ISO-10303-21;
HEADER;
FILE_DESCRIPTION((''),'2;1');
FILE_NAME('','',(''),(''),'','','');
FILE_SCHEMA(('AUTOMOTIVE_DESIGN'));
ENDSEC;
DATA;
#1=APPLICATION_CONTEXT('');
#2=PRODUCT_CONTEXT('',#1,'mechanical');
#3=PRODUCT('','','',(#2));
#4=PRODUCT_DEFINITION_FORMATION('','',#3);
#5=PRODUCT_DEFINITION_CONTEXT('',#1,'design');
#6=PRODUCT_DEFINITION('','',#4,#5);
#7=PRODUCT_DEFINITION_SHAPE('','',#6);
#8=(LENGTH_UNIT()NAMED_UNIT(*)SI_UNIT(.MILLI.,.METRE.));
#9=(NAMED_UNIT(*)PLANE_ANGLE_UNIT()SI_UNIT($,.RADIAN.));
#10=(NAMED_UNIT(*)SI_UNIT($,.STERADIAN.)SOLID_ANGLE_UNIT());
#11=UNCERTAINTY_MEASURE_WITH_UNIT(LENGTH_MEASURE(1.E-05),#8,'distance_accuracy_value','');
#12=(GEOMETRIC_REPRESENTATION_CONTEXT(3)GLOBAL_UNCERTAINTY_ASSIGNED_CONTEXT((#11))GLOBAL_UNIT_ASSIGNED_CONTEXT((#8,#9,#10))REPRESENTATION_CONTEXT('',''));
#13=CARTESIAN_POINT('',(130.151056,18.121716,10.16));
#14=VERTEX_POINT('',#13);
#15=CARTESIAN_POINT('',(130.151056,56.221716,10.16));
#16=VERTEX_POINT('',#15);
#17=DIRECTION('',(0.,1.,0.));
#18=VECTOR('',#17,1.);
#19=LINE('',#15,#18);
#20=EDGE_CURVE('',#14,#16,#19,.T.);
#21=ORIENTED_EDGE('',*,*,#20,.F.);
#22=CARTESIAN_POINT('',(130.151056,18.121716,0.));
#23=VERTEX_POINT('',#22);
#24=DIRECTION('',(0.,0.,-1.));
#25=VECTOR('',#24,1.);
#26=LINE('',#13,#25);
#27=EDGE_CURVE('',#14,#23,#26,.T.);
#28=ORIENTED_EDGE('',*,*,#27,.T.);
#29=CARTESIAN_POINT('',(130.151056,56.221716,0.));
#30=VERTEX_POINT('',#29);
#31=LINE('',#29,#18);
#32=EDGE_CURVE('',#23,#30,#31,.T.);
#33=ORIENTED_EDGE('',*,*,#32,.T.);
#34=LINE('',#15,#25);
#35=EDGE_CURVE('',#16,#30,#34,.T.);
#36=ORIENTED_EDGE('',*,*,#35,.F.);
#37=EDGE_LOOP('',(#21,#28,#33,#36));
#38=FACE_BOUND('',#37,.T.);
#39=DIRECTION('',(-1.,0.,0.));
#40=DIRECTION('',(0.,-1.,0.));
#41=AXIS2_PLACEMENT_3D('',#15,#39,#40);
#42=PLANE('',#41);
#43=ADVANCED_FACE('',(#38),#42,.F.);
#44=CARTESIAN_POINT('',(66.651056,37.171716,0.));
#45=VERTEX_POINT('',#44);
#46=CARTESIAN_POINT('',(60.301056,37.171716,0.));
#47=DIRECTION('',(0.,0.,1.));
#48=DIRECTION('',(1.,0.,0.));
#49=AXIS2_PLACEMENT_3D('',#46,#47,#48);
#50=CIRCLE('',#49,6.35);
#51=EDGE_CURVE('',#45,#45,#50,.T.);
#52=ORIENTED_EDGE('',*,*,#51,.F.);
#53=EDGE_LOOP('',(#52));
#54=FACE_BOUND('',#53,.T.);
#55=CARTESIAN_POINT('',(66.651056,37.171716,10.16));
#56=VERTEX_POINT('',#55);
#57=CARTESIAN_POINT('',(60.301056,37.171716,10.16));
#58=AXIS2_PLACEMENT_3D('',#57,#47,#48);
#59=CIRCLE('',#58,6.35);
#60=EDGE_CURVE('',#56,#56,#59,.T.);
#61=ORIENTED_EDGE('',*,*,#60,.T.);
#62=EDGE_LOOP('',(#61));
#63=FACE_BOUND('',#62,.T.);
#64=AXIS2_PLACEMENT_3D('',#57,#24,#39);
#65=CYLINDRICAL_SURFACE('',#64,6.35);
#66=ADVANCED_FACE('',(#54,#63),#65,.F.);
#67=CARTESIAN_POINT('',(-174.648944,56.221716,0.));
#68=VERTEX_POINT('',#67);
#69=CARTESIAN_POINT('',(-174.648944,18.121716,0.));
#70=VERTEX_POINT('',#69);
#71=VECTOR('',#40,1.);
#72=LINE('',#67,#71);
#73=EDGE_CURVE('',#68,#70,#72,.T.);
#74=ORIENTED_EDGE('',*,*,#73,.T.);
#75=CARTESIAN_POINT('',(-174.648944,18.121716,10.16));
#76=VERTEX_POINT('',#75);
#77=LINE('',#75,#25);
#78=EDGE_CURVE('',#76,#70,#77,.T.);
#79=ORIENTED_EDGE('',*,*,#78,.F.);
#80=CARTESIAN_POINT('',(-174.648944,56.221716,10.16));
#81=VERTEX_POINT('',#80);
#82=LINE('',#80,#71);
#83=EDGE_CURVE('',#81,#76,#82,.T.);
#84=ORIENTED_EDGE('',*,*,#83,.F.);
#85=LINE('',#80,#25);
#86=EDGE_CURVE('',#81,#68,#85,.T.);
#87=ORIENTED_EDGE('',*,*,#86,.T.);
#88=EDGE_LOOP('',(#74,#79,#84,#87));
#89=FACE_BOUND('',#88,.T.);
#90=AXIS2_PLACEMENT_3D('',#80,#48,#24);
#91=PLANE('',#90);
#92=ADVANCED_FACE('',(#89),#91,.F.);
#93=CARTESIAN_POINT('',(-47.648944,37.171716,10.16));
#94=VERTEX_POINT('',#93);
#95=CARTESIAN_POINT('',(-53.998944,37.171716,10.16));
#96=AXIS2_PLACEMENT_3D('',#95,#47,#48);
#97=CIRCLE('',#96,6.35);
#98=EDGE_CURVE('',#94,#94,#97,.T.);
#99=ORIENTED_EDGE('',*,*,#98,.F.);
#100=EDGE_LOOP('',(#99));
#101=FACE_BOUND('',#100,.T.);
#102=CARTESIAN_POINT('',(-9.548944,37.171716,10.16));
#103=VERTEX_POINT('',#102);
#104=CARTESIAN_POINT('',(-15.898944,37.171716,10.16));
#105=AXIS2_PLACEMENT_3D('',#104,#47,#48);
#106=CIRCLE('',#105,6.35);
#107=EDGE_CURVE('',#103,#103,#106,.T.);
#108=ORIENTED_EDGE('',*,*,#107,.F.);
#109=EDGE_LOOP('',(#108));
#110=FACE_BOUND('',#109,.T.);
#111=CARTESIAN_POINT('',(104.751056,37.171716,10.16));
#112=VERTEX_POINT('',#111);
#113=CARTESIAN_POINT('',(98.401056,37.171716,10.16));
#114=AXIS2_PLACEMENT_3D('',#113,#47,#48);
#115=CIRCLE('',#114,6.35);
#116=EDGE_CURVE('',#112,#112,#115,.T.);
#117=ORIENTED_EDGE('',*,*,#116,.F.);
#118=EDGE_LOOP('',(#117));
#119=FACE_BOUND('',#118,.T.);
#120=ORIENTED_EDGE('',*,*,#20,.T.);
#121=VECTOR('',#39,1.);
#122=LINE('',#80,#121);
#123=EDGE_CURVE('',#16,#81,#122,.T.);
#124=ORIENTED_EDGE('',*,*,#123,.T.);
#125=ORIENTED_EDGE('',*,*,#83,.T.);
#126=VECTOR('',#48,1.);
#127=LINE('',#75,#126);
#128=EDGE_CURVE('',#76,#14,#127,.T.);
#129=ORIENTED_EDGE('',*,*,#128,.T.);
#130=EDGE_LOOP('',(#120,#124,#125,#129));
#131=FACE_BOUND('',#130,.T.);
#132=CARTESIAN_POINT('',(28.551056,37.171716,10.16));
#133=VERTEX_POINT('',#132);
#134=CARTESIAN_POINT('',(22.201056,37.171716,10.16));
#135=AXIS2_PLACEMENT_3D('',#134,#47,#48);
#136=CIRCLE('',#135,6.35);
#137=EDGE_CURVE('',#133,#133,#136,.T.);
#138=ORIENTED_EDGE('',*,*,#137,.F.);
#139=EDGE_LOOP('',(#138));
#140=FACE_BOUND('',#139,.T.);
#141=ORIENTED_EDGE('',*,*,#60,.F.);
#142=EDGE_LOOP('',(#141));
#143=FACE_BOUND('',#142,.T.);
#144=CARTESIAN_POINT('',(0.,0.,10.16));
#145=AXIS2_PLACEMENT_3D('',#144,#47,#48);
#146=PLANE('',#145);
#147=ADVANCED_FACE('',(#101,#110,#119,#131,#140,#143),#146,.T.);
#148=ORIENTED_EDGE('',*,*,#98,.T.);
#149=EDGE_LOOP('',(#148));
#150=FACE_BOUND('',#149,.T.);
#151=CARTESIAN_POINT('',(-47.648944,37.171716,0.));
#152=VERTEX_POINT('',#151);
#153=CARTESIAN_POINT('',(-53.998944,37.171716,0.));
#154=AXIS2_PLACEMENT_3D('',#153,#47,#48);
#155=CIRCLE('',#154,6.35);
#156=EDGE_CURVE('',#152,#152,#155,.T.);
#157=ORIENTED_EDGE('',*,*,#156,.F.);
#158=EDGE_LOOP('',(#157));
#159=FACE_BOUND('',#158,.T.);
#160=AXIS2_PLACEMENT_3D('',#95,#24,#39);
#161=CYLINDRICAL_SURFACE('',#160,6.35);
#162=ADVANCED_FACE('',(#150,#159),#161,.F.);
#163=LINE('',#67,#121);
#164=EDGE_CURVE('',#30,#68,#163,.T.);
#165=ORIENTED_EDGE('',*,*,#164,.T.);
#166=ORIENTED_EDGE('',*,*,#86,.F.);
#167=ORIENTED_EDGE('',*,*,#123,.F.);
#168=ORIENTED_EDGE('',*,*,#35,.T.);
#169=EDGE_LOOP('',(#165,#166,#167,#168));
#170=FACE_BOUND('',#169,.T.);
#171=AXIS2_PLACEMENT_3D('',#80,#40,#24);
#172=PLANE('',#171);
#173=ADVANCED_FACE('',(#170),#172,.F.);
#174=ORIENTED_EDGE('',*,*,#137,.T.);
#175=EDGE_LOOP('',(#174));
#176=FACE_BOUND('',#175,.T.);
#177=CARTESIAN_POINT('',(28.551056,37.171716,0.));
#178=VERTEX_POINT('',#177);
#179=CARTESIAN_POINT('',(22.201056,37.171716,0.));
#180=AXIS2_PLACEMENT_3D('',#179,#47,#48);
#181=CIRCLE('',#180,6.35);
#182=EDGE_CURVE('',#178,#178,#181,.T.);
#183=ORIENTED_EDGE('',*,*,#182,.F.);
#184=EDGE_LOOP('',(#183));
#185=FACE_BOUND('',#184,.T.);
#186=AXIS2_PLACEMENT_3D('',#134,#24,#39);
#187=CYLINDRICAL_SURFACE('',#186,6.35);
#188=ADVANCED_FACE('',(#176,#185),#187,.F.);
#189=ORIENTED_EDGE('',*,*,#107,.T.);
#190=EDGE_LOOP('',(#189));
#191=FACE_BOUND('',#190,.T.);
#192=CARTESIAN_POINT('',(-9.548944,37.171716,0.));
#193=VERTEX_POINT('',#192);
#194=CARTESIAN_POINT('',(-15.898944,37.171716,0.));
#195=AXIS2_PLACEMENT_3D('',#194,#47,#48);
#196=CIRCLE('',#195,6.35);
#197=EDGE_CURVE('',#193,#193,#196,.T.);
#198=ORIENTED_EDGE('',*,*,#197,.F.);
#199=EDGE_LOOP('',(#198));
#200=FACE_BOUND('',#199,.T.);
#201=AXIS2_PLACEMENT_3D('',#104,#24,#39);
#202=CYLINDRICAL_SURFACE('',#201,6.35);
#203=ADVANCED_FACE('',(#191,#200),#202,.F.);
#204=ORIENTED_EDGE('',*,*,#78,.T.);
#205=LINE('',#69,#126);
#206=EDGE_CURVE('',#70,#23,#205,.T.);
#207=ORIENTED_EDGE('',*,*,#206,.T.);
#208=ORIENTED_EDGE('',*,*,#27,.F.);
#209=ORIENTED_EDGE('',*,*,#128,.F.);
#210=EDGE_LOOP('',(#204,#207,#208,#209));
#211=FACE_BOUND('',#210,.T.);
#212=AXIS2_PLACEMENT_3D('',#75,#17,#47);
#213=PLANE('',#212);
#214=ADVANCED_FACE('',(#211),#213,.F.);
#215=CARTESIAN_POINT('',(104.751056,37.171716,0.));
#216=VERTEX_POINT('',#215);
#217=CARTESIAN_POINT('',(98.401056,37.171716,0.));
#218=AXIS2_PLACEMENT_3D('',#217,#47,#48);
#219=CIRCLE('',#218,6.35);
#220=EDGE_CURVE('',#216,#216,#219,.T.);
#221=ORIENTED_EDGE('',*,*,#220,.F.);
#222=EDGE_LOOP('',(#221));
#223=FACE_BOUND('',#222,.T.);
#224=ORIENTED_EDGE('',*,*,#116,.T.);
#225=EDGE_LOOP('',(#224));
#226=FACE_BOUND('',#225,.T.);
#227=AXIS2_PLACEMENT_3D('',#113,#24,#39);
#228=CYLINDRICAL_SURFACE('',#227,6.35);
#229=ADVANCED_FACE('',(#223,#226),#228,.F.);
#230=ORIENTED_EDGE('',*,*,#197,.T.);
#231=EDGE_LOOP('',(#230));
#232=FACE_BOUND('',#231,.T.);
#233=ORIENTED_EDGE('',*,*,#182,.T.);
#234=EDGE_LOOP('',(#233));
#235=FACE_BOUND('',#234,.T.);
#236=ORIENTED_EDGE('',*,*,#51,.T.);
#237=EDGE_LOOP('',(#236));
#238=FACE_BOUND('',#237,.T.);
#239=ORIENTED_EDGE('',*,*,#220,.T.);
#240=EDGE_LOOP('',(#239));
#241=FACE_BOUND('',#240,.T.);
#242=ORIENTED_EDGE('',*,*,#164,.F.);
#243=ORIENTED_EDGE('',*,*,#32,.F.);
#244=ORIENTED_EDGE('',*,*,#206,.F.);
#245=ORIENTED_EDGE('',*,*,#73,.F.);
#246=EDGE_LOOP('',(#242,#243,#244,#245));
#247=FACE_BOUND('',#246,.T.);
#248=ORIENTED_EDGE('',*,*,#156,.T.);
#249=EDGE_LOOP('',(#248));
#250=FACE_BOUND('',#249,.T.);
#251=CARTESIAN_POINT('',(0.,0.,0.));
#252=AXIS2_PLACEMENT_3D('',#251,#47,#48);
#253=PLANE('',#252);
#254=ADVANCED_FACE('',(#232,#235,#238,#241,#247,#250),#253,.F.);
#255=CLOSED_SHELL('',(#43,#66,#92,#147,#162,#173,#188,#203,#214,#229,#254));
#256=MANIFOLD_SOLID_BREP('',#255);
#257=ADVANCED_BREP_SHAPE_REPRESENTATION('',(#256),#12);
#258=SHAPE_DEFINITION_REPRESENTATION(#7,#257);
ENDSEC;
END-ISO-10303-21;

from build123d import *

# Parameters (mm, degrees)
SKETCH1_W           = 304.8
SKETCH1_H           = 38.1
SKETCH1_R           = 6.35
BOSS_EXTRUDE1_DEPTH = 10.16


with BuildPart() as part:
    # Sketch1 → Boss-Extrude1 (new body)
    with BuildSketch(Plane.XY):
        with Locations((-22.248944193, 37.171715756)):
            Rectangle(SKETCH1_W, SKETCH1_H)
        with Locations((98.401055807, 37.171715756)):
            Circle(SKETCH1_R, mode=Mode.SUBTRACT)
        with Locations((60.301055807, 37.171715756)):
            Circle(SKETCH1_R, mode=Mode.SUBTRACT)
        with Locations((22.201055807, 37.171715756)):
            Circle(SKETCH1_R, mode=Mode.SUBTRACT)
        with Locations((-15.898944193, 37.171715756)):
            Circle(SKETCH1_R, mode=Mode.SUBTRACT)
        with Locations((-53.998944193, 37.171715756)):
            Circle(SKETCH1_R, mode=Mode.SUBTRACT)
    extrude(amount=BOSS_EXTRUDE1_DEPTH)


solid = part.part
